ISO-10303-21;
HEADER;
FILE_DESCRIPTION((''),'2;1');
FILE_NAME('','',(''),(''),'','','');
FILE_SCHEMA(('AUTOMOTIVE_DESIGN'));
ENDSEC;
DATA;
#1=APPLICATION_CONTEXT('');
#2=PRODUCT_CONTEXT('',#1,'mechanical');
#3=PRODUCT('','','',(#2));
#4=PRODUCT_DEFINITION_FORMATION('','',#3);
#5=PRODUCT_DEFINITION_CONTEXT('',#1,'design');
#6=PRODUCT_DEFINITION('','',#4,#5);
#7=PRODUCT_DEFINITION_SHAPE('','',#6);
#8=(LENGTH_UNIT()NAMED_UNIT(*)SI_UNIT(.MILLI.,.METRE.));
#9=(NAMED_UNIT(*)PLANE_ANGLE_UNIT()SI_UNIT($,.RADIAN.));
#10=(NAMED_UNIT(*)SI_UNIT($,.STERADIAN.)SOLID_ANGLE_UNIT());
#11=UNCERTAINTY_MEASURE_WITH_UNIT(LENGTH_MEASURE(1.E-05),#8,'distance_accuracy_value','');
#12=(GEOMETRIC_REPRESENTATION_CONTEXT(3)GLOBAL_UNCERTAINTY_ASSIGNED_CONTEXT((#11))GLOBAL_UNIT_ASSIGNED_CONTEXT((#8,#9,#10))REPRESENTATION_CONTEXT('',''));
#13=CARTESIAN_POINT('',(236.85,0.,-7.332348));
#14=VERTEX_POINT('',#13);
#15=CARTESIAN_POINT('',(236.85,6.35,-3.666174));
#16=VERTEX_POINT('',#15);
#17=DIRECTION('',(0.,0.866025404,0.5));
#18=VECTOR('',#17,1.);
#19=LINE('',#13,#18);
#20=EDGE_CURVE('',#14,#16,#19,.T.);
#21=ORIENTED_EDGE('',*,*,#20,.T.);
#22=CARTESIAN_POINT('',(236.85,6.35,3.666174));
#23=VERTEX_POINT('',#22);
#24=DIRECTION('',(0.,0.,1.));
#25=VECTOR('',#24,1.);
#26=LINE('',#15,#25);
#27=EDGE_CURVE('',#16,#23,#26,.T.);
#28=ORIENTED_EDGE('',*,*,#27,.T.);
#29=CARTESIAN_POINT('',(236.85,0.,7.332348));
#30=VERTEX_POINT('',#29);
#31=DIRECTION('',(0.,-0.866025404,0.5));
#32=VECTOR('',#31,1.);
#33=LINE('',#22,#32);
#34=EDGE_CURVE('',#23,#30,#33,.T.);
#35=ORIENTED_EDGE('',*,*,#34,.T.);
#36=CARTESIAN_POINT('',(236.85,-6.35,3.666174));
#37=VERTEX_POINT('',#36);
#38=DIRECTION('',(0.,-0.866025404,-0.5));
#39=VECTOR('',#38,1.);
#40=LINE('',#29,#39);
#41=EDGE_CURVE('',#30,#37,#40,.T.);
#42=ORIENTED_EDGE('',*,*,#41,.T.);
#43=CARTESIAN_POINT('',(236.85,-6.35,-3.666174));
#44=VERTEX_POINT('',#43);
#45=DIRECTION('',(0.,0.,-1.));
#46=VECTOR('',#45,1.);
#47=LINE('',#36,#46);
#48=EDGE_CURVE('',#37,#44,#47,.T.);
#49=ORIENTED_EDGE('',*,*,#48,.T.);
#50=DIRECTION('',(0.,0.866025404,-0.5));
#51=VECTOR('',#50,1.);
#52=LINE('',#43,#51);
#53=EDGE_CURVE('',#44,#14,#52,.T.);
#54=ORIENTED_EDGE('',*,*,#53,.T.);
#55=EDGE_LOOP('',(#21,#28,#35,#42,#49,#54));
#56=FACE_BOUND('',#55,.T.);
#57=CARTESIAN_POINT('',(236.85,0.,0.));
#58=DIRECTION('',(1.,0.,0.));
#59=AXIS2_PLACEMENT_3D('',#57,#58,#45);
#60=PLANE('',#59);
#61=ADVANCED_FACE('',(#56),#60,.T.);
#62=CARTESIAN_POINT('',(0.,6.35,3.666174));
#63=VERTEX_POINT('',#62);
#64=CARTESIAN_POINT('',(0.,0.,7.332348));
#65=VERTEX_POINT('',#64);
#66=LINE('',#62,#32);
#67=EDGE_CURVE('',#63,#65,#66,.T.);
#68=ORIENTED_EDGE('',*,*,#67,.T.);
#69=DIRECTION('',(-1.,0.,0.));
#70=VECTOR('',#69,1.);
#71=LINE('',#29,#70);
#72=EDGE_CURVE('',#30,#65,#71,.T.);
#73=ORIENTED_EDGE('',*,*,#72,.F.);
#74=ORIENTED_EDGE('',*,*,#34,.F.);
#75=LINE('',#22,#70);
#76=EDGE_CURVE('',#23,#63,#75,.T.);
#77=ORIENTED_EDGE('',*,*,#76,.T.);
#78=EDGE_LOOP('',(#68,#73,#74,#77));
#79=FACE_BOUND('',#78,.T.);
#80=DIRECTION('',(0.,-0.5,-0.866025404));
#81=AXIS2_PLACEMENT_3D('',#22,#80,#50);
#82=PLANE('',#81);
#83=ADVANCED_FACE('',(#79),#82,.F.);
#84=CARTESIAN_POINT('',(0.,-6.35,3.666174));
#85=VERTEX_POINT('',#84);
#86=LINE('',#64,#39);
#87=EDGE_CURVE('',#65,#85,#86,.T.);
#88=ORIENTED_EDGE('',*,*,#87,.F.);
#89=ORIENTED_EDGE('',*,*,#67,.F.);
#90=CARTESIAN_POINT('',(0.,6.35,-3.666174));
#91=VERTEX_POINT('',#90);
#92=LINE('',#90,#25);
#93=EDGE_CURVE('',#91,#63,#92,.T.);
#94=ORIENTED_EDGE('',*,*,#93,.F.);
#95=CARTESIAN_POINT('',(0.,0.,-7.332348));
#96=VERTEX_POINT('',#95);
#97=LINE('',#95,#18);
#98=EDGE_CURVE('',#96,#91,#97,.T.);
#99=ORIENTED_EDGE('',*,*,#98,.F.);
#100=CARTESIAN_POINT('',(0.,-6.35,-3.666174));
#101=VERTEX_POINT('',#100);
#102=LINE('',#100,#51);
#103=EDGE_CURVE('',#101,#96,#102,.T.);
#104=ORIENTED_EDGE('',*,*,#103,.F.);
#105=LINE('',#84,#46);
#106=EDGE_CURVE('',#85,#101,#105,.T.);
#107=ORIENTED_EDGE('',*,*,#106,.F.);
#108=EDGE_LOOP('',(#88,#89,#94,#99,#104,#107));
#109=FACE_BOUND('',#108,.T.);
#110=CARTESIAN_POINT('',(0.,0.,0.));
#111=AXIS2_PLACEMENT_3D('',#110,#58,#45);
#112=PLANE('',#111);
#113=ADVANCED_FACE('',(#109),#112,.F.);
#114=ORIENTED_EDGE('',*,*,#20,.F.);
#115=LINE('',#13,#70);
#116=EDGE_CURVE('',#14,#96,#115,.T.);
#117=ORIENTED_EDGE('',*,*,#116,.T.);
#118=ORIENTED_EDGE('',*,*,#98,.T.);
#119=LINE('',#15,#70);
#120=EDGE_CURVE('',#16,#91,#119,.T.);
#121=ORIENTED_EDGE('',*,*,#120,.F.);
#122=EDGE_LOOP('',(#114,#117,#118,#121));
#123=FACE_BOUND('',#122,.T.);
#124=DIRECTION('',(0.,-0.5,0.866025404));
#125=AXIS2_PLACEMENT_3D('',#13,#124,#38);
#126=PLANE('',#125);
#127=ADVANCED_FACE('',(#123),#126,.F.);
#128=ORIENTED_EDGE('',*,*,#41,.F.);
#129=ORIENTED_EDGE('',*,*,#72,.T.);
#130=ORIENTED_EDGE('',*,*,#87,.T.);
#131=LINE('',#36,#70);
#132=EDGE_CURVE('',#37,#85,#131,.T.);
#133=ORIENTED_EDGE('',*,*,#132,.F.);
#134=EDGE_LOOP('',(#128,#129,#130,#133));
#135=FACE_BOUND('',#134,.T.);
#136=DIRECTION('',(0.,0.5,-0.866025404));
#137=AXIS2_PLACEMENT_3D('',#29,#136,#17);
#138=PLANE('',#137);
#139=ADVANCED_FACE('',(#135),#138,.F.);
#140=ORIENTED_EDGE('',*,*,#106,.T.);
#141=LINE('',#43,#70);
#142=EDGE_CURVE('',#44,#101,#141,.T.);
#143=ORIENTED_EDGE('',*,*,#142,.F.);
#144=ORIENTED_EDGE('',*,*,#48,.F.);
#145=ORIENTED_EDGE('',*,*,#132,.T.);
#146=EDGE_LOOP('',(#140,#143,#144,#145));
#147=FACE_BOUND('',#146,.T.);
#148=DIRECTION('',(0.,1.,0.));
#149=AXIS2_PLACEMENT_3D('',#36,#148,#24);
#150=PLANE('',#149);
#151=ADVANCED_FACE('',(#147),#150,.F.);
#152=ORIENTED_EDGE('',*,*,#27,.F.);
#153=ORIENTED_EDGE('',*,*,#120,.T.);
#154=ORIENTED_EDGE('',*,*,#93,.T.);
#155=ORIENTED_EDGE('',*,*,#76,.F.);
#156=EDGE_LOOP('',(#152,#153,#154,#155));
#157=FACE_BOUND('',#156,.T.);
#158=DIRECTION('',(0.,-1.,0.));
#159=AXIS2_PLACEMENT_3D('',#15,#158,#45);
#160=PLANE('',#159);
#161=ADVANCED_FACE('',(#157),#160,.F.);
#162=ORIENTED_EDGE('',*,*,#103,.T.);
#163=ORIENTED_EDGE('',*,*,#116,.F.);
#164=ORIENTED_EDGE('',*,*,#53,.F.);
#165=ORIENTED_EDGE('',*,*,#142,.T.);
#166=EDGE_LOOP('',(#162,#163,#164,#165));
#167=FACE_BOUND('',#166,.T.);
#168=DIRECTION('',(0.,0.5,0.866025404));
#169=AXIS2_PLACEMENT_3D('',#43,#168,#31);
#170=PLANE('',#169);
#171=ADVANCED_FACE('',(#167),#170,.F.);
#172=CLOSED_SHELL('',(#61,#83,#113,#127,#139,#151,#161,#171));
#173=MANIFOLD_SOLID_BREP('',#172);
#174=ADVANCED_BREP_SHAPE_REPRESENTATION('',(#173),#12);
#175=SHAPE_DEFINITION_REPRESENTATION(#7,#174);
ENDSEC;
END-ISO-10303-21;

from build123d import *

# Parameters (mm, degrees)
BOSS_EXTRUDE1_DEPTH = 236.85


with BuildPart() as part:
    # Sketch1 → Boss-Extrude1 (new body)
    with BuildSketch(Plane(origin=(0, 0, 0), x_dir=(0, 0, -1), z_dir=(1, 0, 0))):
        Polygon((7.332348419, 0), (3.666174209, 6.35), (-3.666174209, 6.35), (-7.332348419, 0), (-3.666174209, -6.35), (3.666174209, -6.35), align=None)
    extrude(amount=BOSS_EXTRUDE1_DEPTH)


solid = part.part
